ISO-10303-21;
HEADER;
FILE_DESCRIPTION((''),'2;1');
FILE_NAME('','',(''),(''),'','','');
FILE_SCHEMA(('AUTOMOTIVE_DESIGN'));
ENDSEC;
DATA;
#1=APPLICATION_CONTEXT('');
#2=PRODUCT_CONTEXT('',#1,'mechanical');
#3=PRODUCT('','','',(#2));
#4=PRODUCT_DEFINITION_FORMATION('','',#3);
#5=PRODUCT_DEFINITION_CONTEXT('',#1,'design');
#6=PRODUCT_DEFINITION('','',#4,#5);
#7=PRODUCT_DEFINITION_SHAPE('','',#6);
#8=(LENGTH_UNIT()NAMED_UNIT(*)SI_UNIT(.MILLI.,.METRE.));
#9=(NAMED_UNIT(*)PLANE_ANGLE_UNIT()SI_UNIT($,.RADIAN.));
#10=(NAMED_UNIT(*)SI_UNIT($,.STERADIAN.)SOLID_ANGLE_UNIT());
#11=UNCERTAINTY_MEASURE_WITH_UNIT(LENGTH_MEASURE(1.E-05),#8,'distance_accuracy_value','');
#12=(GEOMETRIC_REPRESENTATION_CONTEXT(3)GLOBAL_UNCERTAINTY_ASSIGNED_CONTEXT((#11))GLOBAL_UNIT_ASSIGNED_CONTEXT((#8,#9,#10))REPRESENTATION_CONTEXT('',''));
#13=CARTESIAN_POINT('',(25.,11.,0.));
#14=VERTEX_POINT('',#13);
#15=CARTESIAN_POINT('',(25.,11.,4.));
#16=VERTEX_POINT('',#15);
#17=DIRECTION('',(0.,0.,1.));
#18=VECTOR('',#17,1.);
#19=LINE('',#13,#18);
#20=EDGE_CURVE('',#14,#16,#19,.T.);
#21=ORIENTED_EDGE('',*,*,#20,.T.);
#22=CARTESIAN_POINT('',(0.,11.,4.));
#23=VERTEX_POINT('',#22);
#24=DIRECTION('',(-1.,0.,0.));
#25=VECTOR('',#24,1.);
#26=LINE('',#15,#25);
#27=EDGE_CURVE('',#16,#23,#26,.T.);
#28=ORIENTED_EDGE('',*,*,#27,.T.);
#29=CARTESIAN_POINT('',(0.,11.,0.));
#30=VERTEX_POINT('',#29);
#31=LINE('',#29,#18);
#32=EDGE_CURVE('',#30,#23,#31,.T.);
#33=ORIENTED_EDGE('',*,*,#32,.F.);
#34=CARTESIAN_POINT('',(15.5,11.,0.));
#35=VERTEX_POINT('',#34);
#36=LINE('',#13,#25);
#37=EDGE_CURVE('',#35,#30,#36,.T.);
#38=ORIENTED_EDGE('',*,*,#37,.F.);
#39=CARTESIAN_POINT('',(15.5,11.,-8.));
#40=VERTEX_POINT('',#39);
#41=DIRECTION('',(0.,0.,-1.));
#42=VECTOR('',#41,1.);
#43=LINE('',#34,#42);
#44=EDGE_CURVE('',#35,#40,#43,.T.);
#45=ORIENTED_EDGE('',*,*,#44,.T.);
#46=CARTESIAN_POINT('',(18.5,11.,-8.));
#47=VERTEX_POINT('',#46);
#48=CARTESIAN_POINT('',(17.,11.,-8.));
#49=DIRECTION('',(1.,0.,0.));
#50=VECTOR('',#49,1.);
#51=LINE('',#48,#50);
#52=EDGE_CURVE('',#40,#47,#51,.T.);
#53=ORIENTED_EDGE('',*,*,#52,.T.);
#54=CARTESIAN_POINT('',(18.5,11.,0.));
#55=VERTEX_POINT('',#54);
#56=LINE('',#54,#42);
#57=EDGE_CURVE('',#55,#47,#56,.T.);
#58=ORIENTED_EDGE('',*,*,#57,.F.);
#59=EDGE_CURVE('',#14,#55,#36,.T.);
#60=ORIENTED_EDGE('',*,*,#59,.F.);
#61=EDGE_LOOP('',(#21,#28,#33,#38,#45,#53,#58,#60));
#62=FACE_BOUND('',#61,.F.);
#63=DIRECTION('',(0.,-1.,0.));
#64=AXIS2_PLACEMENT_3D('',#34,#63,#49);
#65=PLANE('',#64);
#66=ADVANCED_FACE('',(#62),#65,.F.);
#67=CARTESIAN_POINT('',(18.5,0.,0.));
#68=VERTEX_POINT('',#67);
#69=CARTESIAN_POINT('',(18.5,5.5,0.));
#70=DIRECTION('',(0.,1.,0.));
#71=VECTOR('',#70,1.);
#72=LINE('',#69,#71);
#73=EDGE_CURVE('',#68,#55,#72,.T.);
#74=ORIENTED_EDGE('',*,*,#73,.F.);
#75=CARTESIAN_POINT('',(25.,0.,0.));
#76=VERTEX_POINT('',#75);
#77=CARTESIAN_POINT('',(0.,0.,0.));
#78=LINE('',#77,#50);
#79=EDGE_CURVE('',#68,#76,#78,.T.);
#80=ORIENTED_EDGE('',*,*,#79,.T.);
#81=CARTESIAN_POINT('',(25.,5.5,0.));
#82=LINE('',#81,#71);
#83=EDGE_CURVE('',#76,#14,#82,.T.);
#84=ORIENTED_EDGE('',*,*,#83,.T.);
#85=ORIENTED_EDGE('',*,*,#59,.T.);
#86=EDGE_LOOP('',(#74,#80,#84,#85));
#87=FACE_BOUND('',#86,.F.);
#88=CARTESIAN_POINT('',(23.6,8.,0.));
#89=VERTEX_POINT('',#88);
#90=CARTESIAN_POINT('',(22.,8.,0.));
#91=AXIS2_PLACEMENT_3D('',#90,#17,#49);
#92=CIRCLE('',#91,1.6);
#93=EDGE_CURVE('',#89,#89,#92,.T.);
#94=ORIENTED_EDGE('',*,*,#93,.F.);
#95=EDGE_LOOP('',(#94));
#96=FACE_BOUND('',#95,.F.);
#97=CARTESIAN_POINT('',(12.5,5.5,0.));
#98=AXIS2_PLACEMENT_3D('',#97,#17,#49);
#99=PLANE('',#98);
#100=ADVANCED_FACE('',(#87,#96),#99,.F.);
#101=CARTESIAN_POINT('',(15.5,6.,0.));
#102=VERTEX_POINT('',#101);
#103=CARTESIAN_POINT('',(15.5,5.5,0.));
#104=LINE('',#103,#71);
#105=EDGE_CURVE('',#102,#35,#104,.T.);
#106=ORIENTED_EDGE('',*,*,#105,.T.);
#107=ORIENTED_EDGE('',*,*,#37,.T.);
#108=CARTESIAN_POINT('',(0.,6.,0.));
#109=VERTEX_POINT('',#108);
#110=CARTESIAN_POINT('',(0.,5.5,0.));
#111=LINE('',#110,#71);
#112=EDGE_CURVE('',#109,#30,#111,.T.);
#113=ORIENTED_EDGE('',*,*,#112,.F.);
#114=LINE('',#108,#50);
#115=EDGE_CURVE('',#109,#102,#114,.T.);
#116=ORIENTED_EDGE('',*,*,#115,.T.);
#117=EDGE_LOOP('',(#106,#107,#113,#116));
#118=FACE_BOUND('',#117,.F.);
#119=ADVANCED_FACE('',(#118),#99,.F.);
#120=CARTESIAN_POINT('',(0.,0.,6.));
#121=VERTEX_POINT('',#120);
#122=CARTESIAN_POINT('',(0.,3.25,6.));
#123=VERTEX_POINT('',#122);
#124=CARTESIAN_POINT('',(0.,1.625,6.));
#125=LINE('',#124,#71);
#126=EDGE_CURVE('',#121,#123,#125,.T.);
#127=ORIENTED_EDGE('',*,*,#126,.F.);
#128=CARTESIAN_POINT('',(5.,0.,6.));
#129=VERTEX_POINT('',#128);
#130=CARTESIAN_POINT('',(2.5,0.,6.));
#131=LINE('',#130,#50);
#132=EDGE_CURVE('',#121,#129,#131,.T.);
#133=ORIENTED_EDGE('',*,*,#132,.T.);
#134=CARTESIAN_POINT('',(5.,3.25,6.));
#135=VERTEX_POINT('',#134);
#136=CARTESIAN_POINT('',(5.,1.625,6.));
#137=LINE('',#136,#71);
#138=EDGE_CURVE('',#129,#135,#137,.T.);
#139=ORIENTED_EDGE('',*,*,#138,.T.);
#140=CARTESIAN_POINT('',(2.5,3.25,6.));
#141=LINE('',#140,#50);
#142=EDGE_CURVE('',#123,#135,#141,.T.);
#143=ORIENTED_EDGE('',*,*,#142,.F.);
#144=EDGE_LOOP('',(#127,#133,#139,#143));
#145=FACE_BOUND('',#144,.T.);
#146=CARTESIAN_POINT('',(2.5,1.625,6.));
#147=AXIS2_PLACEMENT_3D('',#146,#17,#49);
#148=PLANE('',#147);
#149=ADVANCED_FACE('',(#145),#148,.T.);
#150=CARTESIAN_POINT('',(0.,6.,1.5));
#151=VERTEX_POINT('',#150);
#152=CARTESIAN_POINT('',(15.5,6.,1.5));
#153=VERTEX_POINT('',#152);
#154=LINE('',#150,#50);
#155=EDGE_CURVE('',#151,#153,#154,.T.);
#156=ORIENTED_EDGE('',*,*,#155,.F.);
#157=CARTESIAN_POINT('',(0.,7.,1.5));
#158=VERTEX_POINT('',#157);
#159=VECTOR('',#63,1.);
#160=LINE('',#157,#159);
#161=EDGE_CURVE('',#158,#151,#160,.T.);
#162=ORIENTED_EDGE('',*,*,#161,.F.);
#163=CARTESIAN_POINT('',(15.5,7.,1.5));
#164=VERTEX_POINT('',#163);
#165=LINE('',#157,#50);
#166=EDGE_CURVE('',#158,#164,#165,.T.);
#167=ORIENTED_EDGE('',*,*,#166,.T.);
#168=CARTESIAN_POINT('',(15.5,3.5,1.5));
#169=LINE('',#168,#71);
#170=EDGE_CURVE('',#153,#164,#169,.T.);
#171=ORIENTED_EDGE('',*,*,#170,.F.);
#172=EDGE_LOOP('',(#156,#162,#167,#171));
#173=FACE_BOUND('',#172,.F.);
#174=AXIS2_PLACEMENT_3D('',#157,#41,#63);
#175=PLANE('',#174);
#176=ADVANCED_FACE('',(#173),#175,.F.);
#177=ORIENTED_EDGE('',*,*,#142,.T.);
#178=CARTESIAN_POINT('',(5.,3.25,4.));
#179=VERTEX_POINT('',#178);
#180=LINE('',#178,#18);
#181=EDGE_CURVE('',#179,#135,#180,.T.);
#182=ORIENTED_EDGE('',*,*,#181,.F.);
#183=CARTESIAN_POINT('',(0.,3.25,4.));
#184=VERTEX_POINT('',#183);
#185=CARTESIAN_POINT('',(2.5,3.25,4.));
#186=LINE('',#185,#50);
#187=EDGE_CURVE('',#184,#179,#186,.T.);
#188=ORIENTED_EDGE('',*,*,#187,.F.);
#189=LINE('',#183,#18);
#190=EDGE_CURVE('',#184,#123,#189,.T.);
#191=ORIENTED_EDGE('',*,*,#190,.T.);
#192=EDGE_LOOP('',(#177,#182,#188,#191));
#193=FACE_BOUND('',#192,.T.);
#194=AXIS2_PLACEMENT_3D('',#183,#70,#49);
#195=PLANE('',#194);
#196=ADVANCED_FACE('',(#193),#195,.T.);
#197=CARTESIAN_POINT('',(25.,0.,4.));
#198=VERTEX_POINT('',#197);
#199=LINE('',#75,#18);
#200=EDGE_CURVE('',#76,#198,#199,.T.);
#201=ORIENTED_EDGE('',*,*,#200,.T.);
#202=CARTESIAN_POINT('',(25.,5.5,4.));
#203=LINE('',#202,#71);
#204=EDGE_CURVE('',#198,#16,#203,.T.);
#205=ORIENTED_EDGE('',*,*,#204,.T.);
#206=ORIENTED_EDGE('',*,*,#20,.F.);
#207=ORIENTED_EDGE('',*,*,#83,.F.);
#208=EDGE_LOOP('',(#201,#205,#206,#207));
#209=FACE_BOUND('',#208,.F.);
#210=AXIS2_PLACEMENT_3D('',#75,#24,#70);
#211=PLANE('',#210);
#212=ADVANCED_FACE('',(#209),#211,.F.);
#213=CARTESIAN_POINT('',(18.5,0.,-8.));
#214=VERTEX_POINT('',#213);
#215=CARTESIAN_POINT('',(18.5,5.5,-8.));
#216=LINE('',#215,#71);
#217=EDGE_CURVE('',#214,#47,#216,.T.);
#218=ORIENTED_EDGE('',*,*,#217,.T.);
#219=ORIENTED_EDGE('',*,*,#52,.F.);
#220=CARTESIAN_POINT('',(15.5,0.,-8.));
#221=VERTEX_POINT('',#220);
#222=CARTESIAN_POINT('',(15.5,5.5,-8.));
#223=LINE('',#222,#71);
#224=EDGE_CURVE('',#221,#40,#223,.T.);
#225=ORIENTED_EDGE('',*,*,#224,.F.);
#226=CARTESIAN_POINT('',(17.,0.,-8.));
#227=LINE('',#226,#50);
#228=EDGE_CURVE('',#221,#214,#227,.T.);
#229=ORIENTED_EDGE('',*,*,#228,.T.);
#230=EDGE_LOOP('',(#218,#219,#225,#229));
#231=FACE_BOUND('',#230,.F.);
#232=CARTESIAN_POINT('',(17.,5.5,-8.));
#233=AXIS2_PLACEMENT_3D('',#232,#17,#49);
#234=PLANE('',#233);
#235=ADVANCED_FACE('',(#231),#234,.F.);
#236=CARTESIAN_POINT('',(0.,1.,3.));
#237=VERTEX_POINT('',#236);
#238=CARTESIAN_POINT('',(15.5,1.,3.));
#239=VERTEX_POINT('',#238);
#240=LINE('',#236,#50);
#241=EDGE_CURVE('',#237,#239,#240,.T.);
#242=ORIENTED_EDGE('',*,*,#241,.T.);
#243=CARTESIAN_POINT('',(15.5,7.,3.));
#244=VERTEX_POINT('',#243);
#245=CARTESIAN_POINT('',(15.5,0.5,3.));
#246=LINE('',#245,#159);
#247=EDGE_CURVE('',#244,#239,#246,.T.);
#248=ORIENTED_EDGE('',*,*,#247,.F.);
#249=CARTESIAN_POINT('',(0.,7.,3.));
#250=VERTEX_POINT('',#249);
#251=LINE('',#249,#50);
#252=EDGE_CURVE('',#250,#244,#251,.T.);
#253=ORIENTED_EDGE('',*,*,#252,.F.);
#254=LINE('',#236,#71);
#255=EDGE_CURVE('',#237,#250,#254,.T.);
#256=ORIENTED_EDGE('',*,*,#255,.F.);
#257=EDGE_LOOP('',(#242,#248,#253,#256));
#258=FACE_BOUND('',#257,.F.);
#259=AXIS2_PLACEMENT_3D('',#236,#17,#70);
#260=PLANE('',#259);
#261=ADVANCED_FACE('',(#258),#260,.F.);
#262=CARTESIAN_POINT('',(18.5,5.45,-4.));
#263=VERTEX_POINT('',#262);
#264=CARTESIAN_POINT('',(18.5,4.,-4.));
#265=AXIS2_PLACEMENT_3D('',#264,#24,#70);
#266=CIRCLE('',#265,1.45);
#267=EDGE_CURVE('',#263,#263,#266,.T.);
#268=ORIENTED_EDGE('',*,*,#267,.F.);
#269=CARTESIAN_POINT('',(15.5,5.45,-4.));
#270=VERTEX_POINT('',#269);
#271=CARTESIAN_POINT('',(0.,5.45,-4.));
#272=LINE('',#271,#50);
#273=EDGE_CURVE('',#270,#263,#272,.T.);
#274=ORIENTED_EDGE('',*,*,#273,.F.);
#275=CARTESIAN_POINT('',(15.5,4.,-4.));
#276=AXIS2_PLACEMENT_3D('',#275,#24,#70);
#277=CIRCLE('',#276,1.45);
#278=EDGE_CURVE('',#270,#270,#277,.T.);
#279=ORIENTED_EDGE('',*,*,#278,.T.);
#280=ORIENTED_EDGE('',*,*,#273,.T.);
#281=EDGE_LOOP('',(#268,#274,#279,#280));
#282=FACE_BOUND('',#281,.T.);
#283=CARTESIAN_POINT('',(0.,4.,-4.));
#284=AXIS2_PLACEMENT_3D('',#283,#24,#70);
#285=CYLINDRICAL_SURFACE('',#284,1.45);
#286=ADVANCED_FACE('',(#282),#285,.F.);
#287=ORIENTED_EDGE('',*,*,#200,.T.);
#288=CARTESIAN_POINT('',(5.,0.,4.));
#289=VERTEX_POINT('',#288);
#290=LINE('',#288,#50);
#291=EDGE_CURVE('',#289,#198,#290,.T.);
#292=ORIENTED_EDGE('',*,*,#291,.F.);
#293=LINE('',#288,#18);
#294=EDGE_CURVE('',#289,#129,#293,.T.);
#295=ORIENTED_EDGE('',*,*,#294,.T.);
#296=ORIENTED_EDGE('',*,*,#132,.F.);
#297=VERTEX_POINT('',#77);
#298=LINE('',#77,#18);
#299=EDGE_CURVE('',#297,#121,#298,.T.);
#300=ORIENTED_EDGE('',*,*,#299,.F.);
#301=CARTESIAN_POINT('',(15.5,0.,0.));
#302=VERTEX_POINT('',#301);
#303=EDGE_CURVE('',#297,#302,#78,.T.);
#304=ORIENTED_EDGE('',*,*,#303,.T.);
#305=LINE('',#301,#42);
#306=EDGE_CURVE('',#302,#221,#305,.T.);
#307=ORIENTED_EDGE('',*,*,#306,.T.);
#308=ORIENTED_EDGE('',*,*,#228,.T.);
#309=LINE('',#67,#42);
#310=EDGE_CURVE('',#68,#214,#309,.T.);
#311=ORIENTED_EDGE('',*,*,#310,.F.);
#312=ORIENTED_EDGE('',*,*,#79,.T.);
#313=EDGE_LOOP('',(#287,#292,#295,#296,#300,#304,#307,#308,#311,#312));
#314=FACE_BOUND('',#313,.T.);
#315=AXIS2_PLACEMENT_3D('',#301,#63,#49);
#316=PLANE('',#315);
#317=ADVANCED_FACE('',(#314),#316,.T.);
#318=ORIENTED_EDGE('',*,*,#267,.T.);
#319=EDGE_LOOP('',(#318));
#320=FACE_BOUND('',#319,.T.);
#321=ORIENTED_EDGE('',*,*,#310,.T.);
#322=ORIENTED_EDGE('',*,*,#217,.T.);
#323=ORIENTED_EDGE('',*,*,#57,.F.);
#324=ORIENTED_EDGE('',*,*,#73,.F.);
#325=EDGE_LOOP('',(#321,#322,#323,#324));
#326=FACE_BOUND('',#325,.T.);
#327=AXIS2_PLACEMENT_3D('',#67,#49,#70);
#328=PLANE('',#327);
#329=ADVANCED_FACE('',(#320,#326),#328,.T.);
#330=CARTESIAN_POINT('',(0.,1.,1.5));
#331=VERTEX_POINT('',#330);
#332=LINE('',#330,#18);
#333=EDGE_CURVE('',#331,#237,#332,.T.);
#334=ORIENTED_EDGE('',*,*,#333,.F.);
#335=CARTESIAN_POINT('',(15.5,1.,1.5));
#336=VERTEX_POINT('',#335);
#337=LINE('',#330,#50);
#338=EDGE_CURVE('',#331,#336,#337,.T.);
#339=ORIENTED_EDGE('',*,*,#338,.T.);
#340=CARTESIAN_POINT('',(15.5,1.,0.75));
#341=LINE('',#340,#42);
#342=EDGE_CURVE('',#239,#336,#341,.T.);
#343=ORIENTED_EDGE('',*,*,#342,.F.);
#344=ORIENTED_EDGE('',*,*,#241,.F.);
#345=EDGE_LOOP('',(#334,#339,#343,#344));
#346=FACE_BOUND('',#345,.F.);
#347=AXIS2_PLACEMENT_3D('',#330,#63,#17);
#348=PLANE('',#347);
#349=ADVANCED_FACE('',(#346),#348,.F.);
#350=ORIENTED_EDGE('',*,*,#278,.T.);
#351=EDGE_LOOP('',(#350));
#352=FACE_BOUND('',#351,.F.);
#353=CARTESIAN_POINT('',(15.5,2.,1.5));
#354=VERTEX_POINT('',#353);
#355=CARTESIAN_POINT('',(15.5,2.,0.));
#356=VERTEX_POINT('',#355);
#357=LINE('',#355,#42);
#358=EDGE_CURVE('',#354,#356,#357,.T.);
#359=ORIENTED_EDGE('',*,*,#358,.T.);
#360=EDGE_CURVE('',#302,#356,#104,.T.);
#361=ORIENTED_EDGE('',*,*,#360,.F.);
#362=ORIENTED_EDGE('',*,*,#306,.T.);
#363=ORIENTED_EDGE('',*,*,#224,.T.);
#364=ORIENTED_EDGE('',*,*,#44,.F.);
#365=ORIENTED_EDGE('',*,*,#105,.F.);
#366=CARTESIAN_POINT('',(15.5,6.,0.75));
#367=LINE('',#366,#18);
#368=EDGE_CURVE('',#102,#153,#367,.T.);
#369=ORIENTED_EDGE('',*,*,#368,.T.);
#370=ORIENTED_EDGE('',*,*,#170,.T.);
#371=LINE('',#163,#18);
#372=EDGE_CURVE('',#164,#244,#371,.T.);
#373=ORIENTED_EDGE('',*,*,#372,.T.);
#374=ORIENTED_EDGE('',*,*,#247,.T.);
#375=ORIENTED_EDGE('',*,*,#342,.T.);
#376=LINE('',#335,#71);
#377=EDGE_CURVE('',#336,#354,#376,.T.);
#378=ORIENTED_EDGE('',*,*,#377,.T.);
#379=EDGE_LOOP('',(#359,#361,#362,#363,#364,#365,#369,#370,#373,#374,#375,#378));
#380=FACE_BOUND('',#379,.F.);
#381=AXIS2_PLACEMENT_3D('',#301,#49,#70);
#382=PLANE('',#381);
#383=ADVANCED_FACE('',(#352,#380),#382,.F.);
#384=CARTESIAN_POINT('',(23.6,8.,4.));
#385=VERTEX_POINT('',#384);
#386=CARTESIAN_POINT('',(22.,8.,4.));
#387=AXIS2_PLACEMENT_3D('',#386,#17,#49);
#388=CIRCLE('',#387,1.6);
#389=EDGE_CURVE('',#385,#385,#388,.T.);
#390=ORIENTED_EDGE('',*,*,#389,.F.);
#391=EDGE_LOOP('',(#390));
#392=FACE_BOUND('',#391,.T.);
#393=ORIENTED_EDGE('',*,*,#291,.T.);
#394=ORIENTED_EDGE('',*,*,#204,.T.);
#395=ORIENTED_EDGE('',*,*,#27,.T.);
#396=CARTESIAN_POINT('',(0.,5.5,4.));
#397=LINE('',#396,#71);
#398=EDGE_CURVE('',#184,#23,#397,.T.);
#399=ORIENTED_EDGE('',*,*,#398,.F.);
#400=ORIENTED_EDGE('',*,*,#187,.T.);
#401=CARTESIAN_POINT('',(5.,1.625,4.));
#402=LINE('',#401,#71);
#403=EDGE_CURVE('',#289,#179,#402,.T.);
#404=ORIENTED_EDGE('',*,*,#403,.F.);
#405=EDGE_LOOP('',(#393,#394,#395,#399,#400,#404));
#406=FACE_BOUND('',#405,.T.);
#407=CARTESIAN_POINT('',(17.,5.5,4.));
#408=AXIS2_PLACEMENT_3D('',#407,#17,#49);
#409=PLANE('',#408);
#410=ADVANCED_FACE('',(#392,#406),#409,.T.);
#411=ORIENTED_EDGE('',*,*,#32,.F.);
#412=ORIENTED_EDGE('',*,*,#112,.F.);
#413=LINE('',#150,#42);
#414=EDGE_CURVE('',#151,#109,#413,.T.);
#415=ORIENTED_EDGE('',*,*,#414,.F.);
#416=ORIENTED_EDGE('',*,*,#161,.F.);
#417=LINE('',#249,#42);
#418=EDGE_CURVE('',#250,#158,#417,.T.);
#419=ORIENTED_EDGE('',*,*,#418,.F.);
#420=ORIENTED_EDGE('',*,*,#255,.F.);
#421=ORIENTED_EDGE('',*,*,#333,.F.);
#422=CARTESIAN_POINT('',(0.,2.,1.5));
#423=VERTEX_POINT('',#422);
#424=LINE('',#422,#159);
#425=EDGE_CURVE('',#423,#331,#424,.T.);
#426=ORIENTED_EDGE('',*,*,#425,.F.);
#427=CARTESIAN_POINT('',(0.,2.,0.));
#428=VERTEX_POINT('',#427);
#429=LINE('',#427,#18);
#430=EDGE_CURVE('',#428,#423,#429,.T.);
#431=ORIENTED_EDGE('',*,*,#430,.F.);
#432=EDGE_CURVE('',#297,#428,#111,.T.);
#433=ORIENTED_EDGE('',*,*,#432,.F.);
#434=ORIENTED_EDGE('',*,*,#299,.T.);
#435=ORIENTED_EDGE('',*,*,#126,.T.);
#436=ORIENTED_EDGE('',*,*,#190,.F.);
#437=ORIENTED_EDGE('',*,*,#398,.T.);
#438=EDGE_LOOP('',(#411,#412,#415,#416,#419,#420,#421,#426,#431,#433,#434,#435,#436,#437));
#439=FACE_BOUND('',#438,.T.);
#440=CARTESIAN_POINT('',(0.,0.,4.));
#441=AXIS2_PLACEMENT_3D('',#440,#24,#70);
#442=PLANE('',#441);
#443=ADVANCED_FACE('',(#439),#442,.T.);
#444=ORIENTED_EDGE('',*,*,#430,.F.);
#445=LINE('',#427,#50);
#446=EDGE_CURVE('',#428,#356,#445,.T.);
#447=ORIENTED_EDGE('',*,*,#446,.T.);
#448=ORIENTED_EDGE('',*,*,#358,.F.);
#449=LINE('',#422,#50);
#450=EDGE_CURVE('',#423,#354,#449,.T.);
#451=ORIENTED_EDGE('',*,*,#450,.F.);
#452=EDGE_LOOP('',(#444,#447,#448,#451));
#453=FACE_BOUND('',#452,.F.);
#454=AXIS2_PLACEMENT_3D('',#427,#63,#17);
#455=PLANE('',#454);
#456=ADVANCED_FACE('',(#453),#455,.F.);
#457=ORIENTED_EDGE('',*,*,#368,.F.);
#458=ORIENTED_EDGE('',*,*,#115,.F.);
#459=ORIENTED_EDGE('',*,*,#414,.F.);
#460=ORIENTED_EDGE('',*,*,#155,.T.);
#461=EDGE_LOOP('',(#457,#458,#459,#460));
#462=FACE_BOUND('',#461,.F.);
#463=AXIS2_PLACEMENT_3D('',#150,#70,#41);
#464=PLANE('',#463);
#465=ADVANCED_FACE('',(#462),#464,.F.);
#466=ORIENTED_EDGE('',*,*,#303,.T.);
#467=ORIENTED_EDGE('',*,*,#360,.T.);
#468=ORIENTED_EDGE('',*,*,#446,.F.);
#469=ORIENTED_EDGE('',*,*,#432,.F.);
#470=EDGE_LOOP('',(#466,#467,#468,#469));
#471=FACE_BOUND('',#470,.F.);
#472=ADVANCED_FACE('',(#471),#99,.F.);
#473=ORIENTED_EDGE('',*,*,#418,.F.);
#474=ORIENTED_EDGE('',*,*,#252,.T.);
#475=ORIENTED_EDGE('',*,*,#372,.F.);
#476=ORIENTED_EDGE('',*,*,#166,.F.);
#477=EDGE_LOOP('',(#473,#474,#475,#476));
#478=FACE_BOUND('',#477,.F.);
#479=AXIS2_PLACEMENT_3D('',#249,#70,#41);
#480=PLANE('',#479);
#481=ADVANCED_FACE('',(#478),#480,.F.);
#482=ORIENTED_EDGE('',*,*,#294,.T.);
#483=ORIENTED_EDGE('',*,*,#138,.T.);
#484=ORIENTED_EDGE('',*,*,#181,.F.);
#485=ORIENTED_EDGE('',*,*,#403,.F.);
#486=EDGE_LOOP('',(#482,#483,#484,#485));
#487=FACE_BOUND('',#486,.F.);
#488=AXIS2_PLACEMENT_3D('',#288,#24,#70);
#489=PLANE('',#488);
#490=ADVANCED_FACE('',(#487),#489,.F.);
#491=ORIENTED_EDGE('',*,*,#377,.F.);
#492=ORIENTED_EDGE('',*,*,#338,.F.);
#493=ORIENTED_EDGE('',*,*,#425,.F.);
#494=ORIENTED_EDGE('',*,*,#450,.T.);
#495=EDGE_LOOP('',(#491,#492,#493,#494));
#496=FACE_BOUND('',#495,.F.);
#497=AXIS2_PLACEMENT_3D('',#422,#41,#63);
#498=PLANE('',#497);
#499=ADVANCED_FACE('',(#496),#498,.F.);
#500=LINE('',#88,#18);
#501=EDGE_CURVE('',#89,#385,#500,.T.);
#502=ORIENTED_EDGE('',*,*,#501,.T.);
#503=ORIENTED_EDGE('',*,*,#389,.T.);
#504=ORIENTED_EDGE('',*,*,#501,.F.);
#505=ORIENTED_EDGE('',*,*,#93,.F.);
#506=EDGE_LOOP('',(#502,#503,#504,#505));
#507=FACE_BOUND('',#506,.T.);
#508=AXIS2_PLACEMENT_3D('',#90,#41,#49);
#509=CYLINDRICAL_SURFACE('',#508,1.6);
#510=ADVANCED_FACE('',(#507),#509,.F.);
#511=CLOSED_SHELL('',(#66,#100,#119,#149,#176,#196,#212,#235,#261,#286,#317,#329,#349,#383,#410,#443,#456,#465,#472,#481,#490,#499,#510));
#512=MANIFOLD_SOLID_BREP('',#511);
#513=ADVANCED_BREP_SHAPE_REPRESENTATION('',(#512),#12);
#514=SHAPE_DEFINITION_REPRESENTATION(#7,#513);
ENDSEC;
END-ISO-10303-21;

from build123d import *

# Parameters (mm, degrees)
SKETCH_W          = 25
SKETCH_H          = 11
SKETCH_R          = 1.6
PAD_DEPTH         = 4
POCKET_DEPTH      = 18
SKETCH002_W       = 5
SKETCH002_H       = 3.25
PAD001_DEPTH      = 2
SKETCH003_W       = 3
SKETCH003_H       = 11
PAD002_DEPTH      = 4
PAD002_DEPTH_BACK = 8
SKETCH004_R       = 1.45
POCKET001_DEPTH   = 25.001


with BuildPart() as part:
    # Sketch → Pad (new body)
    with BuildSketch(Plane.XY):
        with Locations((12.5, 5.5)):
            Rectangle(SKETCH_W, SKETCH_H)
        with Locations((22, 8)):
            Circle(SKETCH_R, mode=Mode.SUBTRACT)
    extrude(amount=PAD_DEPTH)

    # Sketch001 → Pocket (cut)
    with BuildSketch(Plane.YZ):
        Polygon((1, 3), (7, 3), (7, 1.5), (6, 1.5), (6, 0), (2, 0), (2, 1.5), (1, 1.5), align=None)
    extrude(amount=POCKET_DEPTH, mode=Mode.SUBTRACT)

    # Sketch002 (on DatumPlane) → Pad001 (join)
    with BuildSketch(Plane.XY.offset(4)):
        with Locations((2.5, 1.625)):
            Rectangle(SKETCH002_W, SKETCH002_H)
    extrude(amount=PAD001_DEPTH)

    # Sketch003 → Pad002 (join, two sides)
    with BuildSketch(Plane.XY) as pad002_sk:
        with Locations((17, 5.5)):
            Rectangle(SKETCH003_W, SKETCH003_H)
    extrude(amount=PAD002_DEPTH)
    extrude(pad002_sk.sketch, amount=-PAD002_DEPTH_BACK)

    # Sketch004 → Pocket001 (cut, through all)
    with BuildSketch(Plane.YZ):
        with Locations((4, -4)):
            Circle(SKETCH004_R)
    extrude(amount=POCKET001_DEPTH, mode=Mode.SUBTRACT)


solid = part.part
